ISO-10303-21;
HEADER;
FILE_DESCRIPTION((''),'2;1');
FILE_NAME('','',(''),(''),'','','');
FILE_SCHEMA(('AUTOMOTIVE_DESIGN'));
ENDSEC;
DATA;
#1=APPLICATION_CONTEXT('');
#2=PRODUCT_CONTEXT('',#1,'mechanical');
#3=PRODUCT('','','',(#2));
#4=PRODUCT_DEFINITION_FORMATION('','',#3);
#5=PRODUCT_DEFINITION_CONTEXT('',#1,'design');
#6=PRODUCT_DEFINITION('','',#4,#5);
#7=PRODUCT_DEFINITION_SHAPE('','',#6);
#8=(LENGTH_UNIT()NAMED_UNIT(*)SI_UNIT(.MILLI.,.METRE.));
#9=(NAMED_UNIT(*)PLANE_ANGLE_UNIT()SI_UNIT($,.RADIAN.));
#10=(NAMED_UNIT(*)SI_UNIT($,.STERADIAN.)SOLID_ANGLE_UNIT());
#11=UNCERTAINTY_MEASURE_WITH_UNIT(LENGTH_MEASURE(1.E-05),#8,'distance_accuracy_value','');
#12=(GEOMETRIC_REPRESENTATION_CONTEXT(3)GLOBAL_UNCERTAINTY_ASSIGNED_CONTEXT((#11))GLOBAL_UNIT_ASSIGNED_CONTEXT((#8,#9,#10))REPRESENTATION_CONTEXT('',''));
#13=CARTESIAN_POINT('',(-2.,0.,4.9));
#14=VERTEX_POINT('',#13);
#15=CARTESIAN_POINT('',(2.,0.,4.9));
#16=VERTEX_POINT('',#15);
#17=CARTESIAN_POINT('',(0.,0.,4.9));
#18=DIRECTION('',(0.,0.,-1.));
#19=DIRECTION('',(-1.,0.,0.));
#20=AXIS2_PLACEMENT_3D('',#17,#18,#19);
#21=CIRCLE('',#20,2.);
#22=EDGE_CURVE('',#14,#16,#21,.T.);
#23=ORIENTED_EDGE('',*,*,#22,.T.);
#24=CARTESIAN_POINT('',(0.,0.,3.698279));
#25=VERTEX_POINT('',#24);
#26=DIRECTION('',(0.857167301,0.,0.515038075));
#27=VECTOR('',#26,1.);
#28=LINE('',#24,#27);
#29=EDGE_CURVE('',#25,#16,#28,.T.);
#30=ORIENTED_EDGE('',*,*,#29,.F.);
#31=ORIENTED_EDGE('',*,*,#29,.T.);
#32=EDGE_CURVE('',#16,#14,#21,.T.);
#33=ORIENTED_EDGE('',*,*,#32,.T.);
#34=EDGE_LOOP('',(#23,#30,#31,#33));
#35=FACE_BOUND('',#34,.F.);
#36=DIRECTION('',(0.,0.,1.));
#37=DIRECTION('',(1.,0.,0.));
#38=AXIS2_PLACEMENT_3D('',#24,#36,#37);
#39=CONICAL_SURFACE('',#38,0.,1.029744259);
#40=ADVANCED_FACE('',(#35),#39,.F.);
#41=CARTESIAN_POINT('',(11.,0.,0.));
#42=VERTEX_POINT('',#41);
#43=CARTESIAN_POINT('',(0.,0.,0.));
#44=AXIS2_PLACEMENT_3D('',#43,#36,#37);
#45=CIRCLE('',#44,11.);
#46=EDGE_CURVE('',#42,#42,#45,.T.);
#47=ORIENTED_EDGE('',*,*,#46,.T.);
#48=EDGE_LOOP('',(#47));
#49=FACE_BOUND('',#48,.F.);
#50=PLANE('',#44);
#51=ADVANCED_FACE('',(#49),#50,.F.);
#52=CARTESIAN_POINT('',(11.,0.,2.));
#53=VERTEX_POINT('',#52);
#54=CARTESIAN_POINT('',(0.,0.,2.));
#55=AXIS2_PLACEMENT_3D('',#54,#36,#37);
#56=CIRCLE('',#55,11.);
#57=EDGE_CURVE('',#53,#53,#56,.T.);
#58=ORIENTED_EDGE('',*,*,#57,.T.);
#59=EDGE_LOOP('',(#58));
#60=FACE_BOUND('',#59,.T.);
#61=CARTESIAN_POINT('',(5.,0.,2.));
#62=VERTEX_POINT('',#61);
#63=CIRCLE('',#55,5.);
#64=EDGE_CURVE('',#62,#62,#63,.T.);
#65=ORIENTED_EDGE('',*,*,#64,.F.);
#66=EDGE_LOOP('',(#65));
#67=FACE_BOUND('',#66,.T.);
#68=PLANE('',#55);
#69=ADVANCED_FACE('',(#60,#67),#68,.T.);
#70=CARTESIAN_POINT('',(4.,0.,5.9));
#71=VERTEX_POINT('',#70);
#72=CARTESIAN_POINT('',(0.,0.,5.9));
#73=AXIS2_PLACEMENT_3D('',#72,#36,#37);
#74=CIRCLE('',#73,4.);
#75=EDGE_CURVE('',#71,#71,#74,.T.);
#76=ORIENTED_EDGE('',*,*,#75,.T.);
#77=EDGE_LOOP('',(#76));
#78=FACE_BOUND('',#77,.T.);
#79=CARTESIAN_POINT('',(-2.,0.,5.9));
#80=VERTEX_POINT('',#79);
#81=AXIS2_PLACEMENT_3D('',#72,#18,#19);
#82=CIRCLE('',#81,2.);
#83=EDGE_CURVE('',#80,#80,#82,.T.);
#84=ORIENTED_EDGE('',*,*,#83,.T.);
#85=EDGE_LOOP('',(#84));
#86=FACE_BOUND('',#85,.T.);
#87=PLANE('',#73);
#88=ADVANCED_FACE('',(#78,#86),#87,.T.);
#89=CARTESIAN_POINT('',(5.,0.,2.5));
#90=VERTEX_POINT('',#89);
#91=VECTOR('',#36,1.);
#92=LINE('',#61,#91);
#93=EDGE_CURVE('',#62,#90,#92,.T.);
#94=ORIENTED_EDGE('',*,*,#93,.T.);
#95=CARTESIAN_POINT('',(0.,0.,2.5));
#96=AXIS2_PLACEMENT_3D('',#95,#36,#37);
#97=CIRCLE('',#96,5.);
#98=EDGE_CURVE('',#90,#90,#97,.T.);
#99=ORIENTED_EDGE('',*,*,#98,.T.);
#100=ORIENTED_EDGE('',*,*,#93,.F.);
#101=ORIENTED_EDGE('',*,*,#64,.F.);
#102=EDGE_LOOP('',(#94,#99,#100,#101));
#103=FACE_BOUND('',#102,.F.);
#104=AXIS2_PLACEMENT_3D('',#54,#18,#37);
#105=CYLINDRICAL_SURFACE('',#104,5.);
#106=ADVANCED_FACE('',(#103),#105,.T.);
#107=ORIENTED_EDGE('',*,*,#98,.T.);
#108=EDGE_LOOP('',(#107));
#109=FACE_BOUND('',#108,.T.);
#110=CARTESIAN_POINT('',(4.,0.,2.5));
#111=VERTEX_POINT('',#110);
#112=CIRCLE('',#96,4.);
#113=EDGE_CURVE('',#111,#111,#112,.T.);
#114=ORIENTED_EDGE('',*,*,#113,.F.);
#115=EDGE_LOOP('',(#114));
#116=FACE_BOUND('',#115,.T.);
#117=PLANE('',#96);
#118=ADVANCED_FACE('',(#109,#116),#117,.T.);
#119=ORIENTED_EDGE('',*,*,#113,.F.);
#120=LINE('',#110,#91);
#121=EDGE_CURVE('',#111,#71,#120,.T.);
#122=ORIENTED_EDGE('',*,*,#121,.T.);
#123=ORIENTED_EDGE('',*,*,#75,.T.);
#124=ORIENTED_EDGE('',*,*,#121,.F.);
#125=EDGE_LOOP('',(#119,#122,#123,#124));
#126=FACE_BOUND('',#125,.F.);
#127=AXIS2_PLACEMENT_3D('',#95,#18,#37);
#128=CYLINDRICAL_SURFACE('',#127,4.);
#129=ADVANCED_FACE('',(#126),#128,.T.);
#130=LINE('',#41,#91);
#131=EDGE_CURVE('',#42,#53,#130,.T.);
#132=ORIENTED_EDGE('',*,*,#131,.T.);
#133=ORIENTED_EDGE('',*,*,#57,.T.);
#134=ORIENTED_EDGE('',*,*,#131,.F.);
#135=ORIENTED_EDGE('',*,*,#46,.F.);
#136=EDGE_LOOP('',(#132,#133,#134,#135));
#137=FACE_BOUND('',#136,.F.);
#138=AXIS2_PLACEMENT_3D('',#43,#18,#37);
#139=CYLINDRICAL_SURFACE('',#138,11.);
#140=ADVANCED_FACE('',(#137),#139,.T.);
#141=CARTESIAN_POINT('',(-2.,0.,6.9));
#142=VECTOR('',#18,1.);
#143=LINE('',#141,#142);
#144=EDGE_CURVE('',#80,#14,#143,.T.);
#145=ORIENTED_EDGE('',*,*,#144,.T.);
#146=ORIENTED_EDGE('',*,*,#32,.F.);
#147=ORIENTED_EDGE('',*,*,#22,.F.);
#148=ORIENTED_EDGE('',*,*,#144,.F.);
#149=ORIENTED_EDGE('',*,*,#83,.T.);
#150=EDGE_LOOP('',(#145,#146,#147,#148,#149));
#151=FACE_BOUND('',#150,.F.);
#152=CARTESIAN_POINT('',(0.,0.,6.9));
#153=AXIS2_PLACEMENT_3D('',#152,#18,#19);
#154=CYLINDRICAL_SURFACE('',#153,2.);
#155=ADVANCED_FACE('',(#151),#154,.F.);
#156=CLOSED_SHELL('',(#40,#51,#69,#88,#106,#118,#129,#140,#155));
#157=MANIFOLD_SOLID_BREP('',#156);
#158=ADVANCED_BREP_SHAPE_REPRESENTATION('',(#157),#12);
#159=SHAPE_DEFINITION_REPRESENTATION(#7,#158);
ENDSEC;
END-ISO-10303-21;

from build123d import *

# Parameters (mm, degrees)
F0_R     = 11
F1_DEPTH = 2
F2_R     = 5
F3_DEPTH = 0.5
F4_R     = 4
F5_DEPTH = 3.4
F7_D     = 4
F7_DEPTH = 1
F7_TIP   = 1.2017212381


with BuildPart() as f1:
    # F0 (on Top) → F1 (new body)
    with BuildSketch(Plane.XY):
        Circle(F0_R)
    extrude(amount=F1_DEPTH)

    # F2 (on face) → F3 (join)
    with BuildSketch(Plane.XY.offset(2)):
        Circle(F2_R)
    extrude(amount=F3_DEPTH)

    # F4 (on face) → F5 (join)
    with BuildSketch(Plane.XY.offset(2.5)):
        Circle(F4_R)
    extrude(amount=F5_DEPTH)

    # F7
    with Locations(Plane.XY.offset(5.9)):
        with Locations((0, 0)):
            Hole(F7_D / 2, depth=F7_DEPTH)
            with Locations((0, 0, -(F7_DEPTH + F7_TIP / 2))):  # 118° drill point
                Cone(0, F7_D / 2, F7_TIP, mode=Mode.SUBTRACT)


solid = f1.part
